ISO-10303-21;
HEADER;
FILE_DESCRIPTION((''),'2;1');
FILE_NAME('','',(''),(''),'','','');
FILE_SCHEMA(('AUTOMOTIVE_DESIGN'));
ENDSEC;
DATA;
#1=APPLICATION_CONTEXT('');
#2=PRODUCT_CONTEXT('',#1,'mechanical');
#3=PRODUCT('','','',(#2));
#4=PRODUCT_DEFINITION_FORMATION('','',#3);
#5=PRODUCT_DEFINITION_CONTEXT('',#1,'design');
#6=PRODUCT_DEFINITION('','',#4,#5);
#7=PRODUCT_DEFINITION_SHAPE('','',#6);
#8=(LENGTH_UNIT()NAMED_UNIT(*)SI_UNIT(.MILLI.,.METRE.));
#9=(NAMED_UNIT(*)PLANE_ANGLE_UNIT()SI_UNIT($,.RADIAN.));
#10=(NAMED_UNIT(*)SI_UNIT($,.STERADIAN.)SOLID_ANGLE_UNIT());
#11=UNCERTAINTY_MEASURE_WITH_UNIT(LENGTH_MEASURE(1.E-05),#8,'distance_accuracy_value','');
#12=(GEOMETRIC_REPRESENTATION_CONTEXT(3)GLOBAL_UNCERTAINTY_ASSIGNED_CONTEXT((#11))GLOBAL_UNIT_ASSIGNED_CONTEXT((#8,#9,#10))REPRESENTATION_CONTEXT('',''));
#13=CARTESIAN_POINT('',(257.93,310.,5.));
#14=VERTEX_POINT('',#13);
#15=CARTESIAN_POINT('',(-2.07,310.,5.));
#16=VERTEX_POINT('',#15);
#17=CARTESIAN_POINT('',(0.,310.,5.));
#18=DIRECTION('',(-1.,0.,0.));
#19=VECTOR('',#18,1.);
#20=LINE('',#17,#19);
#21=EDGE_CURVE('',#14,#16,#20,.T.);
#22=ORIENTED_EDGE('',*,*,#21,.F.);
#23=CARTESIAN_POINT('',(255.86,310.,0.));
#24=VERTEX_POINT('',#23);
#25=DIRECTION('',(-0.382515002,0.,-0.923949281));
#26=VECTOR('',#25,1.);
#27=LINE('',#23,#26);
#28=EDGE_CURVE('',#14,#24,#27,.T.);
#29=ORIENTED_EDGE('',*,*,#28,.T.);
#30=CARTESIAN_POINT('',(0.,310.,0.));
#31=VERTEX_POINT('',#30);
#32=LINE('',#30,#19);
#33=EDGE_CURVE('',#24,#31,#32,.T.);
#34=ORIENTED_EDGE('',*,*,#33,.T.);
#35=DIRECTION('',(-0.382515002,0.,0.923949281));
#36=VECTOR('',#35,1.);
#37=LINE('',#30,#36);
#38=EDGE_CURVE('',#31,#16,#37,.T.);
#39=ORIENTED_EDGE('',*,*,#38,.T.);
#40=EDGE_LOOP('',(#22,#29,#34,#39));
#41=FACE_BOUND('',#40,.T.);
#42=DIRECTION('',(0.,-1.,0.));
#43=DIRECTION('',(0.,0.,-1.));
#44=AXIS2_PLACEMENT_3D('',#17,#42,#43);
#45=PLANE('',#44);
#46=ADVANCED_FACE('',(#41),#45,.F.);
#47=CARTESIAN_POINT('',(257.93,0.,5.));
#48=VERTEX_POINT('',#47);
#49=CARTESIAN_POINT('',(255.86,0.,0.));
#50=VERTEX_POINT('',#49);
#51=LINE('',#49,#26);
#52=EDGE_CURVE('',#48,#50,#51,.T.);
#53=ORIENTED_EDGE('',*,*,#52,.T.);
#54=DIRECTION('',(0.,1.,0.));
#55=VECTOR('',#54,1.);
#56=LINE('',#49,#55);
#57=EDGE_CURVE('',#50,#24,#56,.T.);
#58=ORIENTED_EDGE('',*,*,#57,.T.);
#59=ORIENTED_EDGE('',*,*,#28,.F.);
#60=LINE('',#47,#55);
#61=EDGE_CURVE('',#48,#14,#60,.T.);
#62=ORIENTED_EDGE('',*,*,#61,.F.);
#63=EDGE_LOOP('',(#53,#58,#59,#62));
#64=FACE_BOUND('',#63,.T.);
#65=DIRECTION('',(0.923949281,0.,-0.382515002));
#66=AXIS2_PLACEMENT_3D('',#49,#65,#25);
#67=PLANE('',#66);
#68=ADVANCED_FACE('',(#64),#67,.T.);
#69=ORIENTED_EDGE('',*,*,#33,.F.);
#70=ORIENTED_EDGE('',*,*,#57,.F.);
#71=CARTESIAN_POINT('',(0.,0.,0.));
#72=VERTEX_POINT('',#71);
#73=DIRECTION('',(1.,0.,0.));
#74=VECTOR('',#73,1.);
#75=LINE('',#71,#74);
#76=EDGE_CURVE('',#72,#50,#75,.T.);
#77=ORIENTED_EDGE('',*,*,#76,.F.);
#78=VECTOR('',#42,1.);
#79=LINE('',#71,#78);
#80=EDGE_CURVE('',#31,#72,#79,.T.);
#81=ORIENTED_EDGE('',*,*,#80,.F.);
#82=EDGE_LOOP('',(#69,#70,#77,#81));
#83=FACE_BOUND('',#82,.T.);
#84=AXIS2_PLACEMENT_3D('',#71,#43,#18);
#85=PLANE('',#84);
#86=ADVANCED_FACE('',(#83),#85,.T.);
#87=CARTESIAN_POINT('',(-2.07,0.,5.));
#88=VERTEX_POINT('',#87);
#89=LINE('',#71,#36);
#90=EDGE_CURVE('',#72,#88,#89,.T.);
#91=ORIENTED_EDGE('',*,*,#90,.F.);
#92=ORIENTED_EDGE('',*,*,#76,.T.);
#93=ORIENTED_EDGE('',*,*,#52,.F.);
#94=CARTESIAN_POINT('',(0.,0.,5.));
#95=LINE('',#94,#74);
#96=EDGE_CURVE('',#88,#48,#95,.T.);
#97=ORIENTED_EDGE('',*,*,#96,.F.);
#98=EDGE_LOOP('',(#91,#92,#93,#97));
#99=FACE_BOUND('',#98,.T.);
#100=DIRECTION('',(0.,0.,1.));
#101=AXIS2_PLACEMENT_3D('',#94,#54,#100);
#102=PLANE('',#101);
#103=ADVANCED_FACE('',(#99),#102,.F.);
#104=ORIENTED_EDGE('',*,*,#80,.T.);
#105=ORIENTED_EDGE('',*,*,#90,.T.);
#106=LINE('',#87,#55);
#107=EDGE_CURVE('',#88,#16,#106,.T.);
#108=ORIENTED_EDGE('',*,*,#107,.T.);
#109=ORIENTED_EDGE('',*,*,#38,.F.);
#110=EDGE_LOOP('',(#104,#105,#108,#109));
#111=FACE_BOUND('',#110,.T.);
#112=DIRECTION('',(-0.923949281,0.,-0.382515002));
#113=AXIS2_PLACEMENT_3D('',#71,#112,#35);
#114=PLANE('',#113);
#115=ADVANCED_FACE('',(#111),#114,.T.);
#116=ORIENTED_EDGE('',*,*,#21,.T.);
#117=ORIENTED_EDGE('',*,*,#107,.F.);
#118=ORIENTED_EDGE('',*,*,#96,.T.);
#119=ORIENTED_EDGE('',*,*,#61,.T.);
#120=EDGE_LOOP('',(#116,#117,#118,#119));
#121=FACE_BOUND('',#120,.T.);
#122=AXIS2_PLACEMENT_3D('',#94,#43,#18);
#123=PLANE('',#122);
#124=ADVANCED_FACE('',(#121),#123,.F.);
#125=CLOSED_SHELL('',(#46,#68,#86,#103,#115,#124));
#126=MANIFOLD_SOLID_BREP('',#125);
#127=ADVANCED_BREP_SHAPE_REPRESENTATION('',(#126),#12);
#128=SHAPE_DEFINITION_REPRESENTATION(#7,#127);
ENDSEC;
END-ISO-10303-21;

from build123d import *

# Parameters (mm, degrees)
ESQUISSE1_W        = 255.86
ESQUISSE1_H        = 310
BOSS_EXTRU_1_DEPTH = 5
BOSS_EXTRU_2_DEPTH = 310


with BuildPart() as part:
    # Esquisse1 → Boss.-Extru.1 (new body)
    with BuildSketch(Plane.XY):
        with Locations((127.93, 155)):
            Rectangle(ESQUISSE1_W, ESQUISSE1_H)
    extrude(amount=BOSS_EXTRU_1_DEPTH)

    # Esquisse2 → Boss.-Extru.2 (add)
    with BuildSketch(Plane(origin=(0, 310, 0), x_dir=(1, 0, 0), z_dir=(0, 1, 0))):
        Polygon((-2.07, -5), (257.93, -5), (255.86, 0), (0, 0), align=None)
    extrude(amount=-BOSS_EXTRU_2_DEPTH)


solid = part.part
